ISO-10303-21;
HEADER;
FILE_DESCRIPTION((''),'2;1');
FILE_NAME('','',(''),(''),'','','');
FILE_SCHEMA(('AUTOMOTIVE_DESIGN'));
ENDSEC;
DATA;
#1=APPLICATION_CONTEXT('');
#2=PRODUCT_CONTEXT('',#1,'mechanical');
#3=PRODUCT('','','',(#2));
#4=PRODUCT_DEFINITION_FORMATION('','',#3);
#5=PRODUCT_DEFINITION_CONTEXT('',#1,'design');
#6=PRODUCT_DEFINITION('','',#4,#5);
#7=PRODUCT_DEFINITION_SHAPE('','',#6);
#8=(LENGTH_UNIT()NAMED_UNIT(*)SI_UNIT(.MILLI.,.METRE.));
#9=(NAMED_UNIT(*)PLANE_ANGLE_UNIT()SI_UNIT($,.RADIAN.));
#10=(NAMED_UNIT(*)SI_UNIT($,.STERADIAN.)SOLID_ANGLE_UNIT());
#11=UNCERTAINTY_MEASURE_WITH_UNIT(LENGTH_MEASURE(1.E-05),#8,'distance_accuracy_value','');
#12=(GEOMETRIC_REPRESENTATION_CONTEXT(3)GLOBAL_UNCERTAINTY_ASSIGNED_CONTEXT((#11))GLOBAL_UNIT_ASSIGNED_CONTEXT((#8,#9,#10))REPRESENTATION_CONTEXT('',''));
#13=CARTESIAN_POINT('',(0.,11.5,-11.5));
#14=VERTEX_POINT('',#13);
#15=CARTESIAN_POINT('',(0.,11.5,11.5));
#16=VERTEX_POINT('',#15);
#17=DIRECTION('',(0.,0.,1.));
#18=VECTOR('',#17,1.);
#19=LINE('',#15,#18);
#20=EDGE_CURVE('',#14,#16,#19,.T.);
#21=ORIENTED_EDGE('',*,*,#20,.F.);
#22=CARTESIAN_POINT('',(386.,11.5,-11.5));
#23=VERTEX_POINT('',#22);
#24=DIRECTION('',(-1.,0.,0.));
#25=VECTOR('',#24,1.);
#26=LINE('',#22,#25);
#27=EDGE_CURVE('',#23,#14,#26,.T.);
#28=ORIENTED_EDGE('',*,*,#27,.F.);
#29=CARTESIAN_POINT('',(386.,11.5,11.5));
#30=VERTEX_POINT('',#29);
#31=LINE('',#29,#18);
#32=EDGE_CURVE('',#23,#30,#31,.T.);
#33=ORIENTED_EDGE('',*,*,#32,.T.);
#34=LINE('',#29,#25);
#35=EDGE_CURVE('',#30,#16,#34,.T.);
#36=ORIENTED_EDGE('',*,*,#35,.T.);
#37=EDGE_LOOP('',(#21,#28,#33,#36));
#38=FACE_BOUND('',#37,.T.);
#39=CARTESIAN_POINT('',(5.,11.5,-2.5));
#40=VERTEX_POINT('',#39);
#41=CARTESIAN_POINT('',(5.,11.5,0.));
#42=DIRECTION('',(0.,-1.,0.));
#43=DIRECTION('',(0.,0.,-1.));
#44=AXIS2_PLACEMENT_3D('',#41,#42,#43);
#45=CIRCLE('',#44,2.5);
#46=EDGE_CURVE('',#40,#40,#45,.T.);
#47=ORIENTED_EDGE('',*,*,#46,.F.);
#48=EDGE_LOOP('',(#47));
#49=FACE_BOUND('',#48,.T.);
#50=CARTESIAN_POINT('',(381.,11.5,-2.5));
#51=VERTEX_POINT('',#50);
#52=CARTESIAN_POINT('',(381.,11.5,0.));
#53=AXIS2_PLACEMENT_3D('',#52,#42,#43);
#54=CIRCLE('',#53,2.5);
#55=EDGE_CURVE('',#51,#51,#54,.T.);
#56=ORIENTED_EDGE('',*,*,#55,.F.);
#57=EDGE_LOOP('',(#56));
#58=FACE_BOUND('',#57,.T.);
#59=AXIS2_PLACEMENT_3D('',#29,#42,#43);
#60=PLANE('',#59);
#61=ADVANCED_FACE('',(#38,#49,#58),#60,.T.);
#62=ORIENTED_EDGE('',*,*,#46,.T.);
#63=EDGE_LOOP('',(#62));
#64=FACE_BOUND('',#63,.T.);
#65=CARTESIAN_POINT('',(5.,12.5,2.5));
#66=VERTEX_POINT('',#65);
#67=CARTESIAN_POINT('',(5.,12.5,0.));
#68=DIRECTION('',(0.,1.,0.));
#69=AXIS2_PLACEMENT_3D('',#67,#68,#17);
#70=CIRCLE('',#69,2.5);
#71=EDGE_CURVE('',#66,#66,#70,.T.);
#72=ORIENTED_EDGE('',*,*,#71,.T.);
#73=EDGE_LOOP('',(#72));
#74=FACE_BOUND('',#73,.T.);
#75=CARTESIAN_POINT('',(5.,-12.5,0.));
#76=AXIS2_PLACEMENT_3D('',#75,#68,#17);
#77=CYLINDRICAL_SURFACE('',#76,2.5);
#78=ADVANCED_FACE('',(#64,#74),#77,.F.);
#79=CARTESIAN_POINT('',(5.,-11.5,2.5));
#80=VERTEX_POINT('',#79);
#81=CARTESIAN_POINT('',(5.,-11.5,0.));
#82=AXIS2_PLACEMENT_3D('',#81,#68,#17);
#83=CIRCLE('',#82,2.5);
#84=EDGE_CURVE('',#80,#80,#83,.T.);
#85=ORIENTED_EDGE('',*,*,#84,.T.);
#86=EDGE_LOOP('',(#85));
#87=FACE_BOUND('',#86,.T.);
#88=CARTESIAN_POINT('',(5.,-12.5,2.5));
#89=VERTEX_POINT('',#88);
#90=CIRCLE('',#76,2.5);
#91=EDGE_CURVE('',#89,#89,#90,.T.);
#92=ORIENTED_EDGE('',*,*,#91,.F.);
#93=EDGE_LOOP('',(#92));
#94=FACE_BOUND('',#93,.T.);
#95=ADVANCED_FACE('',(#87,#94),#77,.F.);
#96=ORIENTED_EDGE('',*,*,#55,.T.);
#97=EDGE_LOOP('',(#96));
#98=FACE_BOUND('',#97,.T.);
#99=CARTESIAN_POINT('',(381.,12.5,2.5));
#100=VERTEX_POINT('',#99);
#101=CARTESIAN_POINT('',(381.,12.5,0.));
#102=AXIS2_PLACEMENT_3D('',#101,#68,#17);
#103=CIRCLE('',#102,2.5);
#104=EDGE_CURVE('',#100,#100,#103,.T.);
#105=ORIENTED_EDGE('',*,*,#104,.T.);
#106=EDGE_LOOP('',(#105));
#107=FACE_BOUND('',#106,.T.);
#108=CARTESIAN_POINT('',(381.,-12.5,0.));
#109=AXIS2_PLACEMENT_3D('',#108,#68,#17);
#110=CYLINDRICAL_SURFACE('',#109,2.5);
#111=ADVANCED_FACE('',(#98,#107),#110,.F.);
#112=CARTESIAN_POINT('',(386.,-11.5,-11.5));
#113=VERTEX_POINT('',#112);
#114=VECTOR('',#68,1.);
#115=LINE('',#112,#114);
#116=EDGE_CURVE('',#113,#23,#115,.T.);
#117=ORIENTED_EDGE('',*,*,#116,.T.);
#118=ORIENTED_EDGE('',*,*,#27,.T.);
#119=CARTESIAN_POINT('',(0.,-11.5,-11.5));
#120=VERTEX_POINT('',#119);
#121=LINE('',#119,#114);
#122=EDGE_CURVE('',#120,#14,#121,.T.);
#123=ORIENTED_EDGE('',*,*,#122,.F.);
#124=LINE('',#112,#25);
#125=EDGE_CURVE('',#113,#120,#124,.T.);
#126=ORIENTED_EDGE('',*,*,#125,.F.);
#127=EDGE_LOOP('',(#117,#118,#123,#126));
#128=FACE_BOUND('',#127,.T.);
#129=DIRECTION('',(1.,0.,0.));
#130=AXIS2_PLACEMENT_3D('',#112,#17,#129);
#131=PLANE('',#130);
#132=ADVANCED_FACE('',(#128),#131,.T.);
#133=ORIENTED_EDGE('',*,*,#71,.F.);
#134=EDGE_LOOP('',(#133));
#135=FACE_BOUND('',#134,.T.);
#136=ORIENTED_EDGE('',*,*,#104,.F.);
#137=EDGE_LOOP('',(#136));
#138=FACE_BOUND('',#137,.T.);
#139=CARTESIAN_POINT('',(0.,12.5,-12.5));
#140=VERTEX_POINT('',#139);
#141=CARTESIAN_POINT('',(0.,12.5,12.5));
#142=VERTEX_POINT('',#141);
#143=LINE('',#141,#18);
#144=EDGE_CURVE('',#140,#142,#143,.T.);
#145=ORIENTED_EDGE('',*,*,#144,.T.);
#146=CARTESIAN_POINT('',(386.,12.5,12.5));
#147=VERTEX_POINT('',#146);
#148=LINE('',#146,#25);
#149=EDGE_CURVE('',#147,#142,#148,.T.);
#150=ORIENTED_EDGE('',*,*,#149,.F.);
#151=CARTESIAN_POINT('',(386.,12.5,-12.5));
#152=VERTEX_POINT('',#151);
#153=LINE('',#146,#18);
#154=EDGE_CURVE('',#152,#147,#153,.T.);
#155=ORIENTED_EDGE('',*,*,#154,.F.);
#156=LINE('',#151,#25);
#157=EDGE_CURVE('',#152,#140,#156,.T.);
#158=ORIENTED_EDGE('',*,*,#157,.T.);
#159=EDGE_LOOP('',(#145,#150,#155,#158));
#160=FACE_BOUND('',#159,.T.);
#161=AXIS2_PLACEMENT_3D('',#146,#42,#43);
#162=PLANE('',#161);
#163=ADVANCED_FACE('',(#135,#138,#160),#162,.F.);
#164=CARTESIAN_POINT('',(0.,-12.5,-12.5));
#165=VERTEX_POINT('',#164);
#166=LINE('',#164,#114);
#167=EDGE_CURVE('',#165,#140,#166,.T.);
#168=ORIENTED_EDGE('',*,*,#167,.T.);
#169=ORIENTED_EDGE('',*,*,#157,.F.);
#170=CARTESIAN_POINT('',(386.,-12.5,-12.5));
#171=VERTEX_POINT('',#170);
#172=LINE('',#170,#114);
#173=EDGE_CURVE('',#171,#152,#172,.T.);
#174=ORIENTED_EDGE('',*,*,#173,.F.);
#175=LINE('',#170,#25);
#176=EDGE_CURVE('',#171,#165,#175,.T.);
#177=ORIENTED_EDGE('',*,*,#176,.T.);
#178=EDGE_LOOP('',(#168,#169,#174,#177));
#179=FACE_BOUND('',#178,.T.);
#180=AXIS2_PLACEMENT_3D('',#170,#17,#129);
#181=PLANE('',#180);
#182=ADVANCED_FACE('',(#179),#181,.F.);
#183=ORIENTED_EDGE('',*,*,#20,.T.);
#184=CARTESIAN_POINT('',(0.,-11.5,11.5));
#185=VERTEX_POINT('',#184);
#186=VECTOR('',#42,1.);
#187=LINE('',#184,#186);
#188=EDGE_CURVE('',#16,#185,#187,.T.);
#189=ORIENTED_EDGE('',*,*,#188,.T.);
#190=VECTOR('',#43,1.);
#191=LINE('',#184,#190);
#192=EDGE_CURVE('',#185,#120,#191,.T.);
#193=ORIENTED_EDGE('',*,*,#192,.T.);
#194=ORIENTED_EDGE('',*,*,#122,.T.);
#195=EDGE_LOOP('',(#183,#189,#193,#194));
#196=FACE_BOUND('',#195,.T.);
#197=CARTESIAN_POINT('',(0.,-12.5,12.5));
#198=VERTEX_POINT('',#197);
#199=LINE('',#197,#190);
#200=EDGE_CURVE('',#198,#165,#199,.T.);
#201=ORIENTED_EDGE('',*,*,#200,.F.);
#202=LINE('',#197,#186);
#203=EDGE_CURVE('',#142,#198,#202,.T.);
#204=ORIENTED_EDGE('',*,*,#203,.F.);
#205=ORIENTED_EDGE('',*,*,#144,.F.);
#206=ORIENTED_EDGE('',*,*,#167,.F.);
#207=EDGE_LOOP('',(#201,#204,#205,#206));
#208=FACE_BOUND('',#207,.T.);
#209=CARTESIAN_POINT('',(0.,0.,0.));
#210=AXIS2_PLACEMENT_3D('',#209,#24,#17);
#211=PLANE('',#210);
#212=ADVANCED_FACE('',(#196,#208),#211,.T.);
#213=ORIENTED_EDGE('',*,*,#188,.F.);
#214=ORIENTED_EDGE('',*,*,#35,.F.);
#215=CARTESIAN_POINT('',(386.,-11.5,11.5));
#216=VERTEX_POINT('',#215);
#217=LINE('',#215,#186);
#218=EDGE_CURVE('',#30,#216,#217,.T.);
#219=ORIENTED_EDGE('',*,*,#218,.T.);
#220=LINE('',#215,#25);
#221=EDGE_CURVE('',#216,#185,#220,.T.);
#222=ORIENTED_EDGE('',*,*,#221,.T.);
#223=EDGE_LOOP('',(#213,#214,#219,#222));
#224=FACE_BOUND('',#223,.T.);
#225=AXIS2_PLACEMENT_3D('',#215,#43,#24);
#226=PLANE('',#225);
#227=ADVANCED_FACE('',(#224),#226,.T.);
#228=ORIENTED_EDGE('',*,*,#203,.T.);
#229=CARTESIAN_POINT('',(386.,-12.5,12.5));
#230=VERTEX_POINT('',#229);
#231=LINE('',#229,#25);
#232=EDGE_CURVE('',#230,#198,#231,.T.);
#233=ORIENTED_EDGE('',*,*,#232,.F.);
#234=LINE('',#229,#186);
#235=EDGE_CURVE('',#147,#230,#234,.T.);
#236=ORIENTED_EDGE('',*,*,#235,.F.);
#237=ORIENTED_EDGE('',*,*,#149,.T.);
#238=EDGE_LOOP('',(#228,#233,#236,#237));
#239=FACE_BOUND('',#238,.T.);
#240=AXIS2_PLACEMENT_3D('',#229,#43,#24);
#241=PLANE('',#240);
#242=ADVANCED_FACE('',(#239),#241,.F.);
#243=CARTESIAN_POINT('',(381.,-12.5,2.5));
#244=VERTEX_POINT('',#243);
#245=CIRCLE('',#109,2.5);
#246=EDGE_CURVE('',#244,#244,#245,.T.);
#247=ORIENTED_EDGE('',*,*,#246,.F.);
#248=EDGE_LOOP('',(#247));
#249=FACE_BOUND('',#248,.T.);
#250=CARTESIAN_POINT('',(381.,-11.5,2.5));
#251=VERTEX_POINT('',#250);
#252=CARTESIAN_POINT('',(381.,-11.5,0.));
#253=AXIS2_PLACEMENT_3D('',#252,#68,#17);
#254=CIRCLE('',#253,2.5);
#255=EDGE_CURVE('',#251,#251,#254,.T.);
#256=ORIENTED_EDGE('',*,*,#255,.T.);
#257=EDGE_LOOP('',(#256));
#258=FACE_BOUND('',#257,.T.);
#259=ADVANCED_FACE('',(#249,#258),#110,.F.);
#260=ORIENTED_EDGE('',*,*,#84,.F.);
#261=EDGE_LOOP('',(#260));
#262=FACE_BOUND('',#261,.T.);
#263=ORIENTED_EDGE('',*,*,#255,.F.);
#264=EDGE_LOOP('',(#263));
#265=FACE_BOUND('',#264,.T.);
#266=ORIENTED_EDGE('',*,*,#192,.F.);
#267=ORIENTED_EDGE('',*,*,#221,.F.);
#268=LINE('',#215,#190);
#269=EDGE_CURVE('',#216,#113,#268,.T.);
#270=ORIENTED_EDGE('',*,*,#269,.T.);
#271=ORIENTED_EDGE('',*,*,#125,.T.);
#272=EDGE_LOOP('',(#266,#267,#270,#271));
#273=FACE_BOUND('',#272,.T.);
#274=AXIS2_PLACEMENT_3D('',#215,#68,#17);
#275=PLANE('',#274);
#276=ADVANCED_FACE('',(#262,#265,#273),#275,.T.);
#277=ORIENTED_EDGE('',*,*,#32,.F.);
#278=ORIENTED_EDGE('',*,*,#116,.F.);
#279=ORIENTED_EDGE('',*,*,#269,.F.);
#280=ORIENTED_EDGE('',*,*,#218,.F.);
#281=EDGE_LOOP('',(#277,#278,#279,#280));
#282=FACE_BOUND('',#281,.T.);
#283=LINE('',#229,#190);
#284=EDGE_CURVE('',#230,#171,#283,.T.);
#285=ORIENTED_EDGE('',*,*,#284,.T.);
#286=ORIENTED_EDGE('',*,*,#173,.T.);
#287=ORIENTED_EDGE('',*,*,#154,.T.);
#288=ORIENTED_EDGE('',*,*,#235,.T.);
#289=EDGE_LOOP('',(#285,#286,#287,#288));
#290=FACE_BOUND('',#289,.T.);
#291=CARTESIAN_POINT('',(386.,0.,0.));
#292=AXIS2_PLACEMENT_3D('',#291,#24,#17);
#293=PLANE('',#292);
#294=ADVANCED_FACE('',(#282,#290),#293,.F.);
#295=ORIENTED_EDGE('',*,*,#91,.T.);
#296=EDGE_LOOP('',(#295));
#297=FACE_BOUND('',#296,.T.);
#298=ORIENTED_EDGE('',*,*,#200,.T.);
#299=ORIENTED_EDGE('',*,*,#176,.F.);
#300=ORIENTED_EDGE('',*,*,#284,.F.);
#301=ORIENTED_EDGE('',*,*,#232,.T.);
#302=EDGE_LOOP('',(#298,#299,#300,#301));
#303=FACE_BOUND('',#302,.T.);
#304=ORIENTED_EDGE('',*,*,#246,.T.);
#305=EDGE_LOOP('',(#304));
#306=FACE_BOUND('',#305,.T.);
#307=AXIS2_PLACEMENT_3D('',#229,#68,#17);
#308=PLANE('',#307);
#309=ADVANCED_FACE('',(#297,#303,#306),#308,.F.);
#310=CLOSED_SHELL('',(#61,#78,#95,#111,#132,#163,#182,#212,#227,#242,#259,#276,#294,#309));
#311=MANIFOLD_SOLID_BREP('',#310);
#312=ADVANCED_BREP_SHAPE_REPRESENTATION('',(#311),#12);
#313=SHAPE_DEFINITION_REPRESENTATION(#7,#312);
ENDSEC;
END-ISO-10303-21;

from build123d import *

# Parameters (mm, degrees)
SKETCH1_W           = 25
SKETCH1_H           = 25
SKETCH1_W_2         = 23
SKETCH1_H_2         = 23
BOSS_EXTRUDE1_DEPTH = 386
SKETCH2_R           = 2.5
CUT_EXTRUDE1_DEPTH  = 388.010658768


with BuildPart() as part:
    # Sketch1 → Boss-Extrude1 (new body)
    with BuildSketch(Plane(origin=(0, 0, 0), x_dir=(0, 0, -1), z_dir=(1, 0, 0))):
        Rectangle(SKETCH1_W, SKETCH1_H)
        Rectangle(SKETCH1_W_2, SKETCH1_H_2, mode=Mode.SUBTRACT)
    extrude(amount=BOSS_EXTRUDE1_DEPTH)

    # Sketch2 → Cut-Extrude1 (cut, through all)
    with BuildSketch(Plane(origin=(0, 12.5, 0), x_dir=(1, 0, 0), z_dir=(0, 1, 0))):
        with Locations(Location((5, 0, 0), (0, 0, 270))):
            Circle(SKETCH2_R)
        with Locations(Location((381, 0, 0), (0, 0, 270))):
            Circle(SKETCH2_R)
    extrude(amount=-CUT_EXTRUDE1_DEPTH, mode=Mode.SUBTRACT)


solid = part.part
